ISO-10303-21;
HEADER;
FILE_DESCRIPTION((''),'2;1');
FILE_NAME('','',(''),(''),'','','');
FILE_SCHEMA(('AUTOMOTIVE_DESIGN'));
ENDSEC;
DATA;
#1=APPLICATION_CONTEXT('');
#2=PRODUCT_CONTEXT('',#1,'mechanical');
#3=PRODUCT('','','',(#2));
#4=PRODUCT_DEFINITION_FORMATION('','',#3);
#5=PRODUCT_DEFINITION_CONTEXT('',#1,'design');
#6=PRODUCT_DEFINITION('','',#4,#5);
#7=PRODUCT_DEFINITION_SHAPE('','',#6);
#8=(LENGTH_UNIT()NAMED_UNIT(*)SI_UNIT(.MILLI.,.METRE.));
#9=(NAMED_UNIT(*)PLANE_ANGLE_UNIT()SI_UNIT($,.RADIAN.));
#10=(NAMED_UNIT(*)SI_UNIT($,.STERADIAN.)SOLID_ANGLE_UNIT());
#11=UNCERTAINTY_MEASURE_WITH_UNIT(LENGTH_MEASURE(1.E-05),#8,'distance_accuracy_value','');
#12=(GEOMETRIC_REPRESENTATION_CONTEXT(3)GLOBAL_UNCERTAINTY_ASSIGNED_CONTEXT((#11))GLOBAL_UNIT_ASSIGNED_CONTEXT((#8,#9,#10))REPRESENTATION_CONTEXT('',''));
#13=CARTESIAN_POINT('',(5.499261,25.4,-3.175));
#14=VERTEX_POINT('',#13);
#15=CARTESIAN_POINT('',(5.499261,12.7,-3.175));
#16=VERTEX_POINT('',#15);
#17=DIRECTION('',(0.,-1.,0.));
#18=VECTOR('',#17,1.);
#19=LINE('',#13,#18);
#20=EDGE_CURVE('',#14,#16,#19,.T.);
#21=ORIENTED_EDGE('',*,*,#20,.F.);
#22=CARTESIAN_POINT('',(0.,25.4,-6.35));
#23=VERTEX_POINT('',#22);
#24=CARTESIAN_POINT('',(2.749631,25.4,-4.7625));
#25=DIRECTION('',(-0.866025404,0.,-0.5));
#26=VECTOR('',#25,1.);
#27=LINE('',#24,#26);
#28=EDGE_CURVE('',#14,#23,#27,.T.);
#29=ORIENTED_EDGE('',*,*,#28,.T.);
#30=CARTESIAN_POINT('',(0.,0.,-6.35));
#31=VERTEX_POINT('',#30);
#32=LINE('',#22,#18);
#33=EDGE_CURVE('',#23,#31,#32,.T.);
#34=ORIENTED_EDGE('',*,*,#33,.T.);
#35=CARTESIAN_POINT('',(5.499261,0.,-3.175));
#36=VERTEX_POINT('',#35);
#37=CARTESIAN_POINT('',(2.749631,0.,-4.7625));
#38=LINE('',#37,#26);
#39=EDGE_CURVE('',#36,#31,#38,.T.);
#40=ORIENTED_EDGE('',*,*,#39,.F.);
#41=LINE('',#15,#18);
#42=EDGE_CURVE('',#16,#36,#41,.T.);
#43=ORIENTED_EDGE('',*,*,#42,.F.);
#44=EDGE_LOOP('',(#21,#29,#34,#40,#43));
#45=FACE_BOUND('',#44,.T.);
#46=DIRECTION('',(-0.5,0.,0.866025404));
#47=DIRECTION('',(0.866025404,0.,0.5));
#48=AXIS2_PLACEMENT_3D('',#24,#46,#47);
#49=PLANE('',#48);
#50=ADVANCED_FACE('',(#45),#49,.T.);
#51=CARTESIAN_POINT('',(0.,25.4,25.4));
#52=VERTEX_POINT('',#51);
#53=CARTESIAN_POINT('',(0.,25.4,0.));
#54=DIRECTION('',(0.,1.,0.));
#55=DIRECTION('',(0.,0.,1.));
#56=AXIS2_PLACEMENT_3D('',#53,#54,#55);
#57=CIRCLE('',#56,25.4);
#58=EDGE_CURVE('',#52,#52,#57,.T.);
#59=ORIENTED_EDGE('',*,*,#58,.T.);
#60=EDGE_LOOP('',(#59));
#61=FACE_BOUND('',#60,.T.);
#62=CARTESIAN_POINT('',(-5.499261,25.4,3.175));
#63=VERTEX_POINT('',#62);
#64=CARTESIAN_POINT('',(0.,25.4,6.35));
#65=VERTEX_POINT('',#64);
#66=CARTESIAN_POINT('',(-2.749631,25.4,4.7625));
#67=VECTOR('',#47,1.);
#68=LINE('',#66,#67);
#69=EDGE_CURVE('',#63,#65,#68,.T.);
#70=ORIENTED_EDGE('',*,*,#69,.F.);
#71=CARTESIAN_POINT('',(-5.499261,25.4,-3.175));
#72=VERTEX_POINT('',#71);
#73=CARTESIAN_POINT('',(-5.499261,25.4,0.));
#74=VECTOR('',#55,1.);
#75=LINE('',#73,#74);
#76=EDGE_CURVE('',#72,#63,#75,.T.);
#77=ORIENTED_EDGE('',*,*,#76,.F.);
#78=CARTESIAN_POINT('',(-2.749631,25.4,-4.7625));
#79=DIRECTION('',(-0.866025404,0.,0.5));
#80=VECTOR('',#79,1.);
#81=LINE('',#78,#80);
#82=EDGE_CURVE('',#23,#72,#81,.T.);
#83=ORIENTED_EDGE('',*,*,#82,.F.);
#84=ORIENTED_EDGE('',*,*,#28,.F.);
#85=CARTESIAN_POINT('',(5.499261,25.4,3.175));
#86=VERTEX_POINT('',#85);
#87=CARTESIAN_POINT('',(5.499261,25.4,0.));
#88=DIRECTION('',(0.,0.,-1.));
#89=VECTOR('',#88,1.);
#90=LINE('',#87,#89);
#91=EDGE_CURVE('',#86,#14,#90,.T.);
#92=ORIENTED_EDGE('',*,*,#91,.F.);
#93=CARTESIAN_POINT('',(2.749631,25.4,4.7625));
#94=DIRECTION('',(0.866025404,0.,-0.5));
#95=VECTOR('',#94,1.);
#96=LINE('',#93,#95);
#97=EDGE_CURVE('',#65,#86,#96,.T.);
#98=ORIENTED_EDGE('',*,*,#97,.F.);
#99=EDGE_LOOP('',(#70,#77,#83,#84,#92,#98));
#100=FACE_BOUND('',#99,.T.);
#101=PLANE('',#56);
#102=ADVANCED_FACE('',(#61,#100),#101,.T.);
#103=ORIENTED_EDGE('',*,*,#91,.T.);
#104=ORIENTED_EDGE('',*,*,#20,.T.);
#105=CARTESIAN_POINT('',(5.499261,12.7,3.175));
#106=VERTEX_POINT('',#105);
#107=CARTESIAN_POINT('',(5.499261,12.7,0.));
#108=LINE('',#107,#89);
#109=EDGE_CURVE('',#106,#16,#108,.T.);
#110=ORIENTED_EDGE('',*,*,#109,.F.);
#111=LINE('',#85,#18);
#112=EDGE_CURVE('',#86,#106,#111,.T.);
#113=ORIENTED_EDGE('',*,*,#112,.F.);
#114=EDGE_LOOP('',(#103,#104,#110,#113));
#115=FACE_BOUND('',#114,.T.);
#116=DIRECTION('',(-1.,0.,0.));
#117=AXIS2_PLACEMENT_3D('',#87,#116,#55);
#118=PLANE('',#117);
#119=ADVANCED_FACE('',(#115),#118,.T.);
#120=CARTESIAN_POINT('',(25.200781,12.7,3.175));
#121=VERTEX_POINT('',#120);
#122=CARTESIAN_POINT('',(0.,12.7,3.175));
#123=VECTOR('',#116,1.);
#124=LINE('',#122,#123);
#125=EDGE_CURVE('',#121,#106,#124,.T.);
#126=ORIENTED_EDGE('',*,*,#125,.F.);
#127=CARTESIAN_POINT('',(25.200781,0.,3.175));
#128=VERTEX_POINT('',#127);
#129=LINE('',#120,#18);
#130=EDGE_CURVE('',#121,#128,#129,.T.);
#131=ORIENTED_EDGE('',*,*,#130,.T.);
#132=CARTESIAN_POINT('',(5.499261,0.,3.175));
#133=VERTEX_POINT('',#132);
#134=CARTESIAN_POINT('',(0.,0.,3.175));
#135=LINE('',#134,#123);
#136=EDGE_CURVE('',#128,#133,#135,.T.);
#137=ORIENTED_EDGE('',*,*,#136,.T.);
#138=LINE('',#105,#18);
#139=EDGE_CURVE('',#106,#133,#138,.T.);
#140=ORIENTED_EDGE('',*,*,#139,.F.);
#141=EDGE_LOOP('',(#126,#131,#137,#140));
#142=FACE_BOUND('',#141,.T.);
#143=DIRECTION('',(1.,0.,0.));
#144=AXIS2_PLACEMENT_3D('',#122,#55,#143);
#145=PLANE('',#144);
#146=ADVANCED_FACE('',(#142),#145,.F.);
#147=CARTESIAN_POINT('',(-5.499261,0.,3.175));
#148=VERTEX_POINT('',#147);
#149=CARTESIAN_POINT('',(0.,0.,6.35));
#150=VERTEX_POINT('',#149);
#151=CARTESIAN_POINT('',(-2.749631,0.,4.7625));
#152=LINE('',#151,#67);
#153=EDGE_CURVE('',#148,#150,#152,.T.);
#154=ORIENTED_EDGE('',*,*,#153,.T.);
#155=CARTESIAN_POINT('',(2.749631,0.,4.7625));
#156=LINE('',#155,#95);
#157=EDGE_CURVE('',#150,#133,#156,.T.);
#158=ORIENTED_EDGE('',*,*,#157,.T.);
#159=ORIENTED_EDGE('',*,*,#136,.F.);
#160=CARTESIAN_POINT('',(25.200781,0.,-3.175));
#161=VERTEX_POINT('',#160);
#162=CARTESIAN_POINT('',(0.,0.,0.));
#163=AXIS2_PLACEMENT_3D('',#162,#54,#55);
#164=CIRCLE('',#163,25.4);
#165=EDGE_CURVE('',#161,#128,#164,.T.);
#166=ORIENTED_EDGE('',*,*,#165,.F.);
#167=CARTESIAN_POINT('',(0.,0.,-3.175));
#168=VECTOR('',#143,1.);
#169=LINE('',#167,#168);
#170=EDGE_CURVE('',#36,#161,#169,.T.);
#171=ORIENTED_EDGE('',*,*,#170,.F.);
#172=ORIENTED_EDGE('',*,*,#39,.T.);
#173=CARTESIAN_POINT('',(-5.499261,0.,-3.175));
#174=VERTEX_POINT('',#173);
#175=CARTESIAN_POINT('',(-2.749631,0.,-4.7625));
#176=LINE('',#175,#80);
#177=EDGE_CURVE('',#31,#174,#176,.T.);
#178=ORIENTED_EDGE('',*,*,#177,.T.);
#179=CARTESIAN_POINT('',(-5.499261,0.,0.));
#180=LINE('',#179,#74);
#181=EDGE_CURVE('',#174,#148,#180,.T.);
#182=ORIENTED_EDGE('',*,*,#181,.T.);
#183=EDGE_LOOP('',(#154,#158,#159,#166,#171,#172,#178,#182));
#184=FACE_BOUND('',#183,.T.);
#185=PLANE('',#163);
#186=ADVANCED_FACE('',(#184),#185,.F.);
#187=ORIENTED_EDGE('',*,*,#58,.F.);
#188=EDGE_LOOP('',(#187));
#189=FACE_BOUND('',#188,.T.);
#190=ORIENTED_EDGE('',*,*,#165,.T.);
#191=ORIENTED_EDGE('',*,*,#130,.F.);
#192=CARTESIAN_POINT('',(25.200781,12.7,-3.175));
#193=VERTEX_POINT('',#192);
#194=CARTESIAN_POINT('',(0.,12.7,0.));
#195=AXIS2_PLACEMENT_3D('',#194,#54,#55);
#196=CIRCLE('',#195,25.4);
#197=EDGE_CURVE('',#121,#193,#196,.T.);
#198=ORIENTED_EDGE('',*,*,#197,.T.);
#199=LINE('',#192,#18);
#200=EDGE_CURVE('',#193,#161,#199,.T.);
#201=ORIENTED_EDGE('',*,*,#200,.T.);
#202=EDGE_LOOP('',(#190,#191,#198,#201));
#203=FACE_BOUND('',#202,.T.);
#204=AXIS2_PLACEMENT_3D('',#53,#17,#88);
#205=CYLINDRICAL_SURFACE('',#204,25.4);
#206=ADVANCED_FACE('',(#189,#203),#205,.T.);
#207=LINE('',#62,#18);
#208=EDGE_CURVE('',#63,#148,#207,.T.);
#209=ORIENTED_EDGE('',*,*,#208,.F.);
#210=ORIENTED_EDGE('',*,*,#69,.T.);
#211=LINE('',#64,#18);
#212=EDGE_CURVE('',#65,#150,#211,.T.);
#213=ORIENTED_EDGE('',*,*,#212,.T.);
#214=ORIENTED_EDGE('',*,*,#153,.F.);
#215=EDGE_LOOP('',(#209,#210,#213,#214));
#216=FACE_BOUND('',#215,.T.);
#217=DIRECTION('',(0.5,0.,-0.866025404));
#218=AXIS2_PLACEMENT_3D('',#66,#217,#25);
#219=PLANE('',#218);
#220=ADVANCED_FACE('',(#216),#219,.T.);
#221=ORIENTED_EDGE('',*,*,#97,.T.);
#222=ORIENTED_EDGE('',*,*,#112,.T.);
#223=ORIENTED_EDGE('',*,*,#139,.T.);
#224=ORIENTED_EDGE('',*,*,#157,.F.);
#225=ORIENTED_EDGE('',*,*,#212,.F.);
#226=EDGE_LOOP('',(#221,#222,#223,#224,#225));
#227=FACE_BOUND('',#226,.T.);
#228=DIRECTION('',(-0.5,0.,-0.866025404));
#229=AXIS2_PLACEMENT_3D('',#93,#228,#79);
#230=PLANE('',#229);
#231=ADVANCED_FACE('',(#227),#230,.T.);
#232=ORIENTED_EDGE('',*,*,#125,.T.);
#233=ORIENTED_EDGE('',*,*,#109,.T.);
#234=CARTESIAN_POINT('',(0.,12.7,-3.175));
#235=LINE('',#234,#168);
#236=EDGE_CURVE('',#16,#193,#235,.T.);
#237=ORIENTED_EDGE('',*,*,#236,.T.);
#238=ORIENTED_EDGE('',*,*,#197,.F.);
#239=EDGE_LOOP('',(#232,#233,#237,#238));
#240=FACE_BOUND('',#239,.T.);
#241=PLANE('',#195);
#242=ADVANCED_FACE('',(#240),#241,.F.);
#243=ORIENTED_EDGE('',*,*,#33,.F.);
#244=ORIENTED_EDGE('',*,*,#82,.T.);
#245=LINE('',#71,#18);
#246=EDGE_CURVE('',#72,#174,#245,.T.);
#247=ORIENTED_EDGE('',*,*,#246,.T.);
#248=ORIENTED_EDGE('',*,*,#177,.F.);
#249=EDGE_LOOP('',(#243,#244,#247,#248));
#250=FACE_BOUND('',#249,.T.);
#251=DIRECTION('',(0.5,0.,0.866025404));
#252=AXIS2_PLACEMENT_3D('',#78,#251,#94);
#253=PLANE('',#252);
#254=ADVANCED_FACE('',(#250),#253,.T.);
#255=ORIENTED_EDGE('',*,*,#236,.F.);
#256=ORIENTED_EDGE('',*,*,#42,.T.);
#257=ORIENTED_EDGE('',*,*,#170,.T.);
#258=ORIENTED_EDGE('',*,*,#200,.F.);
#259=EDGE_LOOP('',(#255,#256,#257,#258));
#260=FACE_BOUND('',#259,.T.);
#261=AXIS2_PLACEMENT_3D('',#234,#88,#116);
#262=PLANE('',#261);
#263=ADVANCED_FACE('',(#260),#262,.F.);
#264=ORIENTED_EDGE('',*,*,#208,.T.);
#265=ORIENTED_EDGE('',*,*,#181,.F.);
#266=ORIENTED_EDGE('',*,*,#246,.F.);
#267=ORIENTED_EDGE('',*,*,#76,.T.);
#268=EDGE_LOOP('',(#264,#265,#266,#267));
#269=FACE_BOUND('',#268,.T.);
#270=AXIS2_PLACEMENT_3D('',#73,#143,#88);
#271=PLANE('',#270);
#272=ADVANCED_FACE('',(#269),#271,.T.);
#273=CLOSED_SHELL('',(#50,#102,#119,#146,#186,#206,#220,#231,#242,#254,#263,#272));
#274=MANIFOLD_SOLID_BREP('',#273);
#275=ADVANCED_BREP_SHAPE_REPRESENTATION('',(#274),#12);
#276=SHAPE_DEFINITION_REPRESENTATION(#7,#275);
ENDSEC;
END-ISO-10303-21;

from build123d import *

# Parameters (mm, degrees)
SKETCH1_R           = 25.4
BOSS_EXTRUDE1_DEPTH = 25.4
CUT_EXTRUDE1_DEPTH  = 12.7


with BuildPart() as part:
    # Sketch1 → Boss-Extrude1 (new body)
    with BuildSketch(Plane(origin=(0, 0, 0), x_dir=(1, 0, 0), z_dir=(0, 1, 0))):
        Circle(SKETCH1_R)
        Polygon((0, 6.35), (5.499261314, 3.175), (5.499261314, -3.175), (0, -6.35), (-5.499261314, -3.175), (-5.499261314, 3.175), align=None, mode=Mode.SUBTRACT)
    extrude(amount=BOSS_EXTRUDE1_DEPTH)

    # Sketch1<4> → Cut-Extrude1 (cut)
    with BuildSketch(Plane(origin=(0, 0, 0), x_dir=(1, 0, 0), z_dir=(0, 1, 0))):
        with BuildLine():
            Line((25.200781238, 3.175), (5.499261314, 3.175))
            Line((5.499261314, 3.175), (5.499261314, -3.175))
            Line((5.499261314, -3.175), (25.200781238, -3.175))
            ThreePointArc((25.200781238, -3.175), (25.350146385, -1.590621979), (25.4, 0))
            ThreePointArc((25.4, 0), (25.350146385, 1.590621979), (25.200781238, 3.175))
        make_face()
    extrude(amount=CUT_EXTRUDE1_DEPTH, mode=Mode.SUBTRACT)


solid = part.part
